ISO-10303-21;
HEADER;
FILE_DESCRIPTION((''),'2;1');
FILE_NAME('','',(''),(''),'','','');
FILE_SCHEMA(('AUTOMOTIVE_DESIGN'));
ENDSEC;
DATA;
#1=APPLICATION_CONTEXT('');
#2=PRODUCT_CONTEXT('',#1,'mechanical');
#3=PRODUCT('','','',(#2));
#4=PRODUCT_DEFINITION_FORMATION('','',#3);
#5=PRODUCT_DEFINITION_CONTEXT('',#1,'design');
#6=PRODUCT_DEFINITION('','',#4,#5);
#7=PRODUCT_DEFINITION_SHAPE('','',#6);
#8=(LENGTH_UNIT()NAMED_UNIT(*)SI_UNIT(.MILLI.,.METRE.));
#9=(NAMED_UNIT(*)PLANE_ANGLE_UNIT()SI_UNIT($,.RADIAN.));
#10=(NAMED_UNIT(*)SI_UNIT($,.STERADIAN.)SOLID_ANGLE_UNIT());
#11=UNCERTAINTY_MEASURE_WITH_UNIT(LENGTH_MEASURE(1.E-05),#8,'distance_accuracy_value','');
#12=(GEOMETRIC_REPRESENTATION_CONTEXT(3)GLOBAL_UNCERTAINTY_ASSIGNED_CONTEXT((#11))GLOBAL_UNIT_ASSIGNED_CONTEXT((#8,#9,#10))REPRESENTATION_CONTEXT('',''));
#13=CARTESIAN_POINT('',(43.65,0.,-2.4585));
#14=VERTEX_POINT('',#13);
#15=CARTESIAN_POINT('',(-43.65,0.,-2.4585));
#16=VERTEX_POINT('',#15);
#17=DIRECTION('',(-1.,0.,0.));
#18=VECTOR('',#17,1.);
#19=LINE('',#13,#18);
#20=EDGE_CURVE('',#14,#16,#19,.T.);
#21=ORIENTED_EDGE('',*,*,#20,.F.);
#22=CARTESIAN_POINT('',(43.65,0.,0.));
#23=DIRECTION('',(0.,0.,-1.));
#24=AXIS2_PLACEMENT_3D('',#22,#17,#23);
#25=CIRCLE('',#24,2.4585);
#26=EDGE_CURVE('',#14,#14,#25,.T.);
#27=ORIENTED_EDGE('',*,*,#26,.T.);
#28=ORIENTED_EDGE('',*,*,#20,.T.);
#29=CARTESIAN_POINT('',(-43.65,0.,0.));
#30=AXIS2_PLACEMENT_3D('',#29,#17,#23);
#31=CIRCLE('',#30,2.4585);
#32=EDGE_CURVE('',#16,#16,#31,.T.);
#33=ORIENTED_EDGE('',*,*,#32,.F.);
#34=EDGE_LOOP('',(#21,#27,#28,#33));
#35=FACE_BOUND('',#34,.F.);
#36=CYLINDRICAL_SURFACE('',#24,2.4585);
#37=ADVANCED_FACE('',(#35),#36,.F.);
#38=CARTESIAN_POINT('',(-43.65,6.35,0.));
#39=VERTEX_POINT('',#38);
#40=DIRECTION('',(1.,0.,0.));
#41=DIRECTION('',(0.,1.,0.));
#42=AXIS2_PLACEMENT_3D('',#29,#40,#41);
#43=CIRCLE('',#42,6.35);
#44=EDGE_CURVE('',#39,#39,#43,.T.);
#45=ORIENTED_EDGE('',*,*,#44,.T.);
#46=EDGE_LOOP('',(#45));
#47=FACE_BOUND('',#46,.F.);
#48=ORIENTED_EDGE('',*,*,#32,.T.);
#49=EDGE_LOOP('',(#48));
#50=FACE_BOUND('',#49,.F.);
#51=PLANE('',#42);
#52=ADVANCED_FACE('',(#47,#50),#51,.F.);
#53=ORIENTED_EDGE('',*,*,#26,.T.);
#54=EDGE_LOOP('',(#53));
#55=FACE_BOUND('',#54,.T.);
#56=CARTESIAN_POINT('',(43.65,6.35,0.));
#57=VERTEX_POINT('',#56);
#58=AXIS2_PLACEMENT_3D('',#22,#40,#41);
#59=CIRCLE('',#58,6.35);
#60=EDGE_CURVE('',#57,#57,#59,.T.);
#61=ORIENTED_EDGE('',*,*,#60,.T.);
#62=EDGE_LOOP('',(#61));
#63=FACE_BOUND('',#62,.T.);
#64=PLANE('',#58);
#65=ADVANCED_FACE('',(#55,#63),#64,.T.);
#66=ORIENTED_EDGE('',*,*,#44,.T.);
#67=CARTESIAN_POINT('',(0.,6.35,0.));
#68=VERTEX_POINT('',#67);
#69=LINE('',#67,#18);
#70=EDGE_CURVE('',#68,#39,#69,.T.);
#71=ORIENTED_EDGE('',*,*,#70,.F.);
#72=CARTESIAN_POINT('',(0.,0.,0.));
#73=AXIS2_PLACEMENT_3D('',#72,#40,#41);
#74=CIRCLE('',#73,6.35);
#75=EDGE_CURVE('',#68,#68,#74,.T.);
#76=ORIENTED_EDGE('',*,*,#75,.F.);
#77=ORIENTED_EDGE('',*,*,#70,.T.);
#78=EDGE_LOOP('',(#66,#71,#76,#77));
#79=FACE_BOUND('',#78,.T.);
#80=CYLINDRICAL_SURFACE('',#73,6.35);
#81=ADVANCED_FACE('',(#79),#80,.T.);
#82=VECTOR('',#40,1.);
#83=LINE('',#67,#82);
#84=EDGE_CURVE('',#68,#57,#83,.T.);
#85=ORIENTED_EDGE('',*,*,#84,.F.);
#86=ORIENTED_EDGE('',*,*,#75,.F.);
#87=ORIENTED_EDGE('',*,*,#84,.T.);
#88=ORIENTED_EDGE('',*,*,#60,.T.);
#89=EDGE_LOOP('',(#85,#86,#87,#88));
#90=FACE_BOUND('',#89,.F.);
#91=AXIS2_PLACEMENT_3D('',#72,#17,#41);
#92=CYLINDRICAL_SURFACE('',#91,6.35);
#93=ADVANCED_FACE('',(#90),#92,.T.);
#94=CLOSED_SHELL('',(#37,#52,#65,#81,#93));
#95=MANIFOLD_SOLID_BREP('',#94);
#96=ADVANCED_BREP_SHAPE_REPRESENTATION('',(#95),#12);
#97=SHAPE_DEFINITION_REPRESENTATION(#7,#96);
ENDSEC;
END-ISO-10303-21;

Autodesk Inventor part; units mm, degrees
ref_plane "YZ Plane" through (0, 0, 0) normal (1, 0, 0) x (0, 1, 0)
ref_plane "XZ Plane" through (0, 0, 0) normal (0, 1, 0) x (-1, 0, 0)
ref_plane "XY Plane" through (0, 0, 0) normal (0, 0, 1) x (1, 0, 0)
sketch "Sketch1" plane through (0, 0, 0) normal (1, 0, 0) x (0, 1, 0)
  circle A0 centre (0, 0) radius 6.35
  dimension "d0" = 12.7
extrude "Extrusion1" add sketch "Sketch1" along normal mid plane 87.3
hole "Hole1" at (43.65, 0, 0) direction (-1, 0, 0) diameter 4.917 end through all thread size "M6x1" class "6H" standard "ANSI Metric M Profile"
properties part number "Ground_Tracker_Spacer" material "Nylon 6/6"
